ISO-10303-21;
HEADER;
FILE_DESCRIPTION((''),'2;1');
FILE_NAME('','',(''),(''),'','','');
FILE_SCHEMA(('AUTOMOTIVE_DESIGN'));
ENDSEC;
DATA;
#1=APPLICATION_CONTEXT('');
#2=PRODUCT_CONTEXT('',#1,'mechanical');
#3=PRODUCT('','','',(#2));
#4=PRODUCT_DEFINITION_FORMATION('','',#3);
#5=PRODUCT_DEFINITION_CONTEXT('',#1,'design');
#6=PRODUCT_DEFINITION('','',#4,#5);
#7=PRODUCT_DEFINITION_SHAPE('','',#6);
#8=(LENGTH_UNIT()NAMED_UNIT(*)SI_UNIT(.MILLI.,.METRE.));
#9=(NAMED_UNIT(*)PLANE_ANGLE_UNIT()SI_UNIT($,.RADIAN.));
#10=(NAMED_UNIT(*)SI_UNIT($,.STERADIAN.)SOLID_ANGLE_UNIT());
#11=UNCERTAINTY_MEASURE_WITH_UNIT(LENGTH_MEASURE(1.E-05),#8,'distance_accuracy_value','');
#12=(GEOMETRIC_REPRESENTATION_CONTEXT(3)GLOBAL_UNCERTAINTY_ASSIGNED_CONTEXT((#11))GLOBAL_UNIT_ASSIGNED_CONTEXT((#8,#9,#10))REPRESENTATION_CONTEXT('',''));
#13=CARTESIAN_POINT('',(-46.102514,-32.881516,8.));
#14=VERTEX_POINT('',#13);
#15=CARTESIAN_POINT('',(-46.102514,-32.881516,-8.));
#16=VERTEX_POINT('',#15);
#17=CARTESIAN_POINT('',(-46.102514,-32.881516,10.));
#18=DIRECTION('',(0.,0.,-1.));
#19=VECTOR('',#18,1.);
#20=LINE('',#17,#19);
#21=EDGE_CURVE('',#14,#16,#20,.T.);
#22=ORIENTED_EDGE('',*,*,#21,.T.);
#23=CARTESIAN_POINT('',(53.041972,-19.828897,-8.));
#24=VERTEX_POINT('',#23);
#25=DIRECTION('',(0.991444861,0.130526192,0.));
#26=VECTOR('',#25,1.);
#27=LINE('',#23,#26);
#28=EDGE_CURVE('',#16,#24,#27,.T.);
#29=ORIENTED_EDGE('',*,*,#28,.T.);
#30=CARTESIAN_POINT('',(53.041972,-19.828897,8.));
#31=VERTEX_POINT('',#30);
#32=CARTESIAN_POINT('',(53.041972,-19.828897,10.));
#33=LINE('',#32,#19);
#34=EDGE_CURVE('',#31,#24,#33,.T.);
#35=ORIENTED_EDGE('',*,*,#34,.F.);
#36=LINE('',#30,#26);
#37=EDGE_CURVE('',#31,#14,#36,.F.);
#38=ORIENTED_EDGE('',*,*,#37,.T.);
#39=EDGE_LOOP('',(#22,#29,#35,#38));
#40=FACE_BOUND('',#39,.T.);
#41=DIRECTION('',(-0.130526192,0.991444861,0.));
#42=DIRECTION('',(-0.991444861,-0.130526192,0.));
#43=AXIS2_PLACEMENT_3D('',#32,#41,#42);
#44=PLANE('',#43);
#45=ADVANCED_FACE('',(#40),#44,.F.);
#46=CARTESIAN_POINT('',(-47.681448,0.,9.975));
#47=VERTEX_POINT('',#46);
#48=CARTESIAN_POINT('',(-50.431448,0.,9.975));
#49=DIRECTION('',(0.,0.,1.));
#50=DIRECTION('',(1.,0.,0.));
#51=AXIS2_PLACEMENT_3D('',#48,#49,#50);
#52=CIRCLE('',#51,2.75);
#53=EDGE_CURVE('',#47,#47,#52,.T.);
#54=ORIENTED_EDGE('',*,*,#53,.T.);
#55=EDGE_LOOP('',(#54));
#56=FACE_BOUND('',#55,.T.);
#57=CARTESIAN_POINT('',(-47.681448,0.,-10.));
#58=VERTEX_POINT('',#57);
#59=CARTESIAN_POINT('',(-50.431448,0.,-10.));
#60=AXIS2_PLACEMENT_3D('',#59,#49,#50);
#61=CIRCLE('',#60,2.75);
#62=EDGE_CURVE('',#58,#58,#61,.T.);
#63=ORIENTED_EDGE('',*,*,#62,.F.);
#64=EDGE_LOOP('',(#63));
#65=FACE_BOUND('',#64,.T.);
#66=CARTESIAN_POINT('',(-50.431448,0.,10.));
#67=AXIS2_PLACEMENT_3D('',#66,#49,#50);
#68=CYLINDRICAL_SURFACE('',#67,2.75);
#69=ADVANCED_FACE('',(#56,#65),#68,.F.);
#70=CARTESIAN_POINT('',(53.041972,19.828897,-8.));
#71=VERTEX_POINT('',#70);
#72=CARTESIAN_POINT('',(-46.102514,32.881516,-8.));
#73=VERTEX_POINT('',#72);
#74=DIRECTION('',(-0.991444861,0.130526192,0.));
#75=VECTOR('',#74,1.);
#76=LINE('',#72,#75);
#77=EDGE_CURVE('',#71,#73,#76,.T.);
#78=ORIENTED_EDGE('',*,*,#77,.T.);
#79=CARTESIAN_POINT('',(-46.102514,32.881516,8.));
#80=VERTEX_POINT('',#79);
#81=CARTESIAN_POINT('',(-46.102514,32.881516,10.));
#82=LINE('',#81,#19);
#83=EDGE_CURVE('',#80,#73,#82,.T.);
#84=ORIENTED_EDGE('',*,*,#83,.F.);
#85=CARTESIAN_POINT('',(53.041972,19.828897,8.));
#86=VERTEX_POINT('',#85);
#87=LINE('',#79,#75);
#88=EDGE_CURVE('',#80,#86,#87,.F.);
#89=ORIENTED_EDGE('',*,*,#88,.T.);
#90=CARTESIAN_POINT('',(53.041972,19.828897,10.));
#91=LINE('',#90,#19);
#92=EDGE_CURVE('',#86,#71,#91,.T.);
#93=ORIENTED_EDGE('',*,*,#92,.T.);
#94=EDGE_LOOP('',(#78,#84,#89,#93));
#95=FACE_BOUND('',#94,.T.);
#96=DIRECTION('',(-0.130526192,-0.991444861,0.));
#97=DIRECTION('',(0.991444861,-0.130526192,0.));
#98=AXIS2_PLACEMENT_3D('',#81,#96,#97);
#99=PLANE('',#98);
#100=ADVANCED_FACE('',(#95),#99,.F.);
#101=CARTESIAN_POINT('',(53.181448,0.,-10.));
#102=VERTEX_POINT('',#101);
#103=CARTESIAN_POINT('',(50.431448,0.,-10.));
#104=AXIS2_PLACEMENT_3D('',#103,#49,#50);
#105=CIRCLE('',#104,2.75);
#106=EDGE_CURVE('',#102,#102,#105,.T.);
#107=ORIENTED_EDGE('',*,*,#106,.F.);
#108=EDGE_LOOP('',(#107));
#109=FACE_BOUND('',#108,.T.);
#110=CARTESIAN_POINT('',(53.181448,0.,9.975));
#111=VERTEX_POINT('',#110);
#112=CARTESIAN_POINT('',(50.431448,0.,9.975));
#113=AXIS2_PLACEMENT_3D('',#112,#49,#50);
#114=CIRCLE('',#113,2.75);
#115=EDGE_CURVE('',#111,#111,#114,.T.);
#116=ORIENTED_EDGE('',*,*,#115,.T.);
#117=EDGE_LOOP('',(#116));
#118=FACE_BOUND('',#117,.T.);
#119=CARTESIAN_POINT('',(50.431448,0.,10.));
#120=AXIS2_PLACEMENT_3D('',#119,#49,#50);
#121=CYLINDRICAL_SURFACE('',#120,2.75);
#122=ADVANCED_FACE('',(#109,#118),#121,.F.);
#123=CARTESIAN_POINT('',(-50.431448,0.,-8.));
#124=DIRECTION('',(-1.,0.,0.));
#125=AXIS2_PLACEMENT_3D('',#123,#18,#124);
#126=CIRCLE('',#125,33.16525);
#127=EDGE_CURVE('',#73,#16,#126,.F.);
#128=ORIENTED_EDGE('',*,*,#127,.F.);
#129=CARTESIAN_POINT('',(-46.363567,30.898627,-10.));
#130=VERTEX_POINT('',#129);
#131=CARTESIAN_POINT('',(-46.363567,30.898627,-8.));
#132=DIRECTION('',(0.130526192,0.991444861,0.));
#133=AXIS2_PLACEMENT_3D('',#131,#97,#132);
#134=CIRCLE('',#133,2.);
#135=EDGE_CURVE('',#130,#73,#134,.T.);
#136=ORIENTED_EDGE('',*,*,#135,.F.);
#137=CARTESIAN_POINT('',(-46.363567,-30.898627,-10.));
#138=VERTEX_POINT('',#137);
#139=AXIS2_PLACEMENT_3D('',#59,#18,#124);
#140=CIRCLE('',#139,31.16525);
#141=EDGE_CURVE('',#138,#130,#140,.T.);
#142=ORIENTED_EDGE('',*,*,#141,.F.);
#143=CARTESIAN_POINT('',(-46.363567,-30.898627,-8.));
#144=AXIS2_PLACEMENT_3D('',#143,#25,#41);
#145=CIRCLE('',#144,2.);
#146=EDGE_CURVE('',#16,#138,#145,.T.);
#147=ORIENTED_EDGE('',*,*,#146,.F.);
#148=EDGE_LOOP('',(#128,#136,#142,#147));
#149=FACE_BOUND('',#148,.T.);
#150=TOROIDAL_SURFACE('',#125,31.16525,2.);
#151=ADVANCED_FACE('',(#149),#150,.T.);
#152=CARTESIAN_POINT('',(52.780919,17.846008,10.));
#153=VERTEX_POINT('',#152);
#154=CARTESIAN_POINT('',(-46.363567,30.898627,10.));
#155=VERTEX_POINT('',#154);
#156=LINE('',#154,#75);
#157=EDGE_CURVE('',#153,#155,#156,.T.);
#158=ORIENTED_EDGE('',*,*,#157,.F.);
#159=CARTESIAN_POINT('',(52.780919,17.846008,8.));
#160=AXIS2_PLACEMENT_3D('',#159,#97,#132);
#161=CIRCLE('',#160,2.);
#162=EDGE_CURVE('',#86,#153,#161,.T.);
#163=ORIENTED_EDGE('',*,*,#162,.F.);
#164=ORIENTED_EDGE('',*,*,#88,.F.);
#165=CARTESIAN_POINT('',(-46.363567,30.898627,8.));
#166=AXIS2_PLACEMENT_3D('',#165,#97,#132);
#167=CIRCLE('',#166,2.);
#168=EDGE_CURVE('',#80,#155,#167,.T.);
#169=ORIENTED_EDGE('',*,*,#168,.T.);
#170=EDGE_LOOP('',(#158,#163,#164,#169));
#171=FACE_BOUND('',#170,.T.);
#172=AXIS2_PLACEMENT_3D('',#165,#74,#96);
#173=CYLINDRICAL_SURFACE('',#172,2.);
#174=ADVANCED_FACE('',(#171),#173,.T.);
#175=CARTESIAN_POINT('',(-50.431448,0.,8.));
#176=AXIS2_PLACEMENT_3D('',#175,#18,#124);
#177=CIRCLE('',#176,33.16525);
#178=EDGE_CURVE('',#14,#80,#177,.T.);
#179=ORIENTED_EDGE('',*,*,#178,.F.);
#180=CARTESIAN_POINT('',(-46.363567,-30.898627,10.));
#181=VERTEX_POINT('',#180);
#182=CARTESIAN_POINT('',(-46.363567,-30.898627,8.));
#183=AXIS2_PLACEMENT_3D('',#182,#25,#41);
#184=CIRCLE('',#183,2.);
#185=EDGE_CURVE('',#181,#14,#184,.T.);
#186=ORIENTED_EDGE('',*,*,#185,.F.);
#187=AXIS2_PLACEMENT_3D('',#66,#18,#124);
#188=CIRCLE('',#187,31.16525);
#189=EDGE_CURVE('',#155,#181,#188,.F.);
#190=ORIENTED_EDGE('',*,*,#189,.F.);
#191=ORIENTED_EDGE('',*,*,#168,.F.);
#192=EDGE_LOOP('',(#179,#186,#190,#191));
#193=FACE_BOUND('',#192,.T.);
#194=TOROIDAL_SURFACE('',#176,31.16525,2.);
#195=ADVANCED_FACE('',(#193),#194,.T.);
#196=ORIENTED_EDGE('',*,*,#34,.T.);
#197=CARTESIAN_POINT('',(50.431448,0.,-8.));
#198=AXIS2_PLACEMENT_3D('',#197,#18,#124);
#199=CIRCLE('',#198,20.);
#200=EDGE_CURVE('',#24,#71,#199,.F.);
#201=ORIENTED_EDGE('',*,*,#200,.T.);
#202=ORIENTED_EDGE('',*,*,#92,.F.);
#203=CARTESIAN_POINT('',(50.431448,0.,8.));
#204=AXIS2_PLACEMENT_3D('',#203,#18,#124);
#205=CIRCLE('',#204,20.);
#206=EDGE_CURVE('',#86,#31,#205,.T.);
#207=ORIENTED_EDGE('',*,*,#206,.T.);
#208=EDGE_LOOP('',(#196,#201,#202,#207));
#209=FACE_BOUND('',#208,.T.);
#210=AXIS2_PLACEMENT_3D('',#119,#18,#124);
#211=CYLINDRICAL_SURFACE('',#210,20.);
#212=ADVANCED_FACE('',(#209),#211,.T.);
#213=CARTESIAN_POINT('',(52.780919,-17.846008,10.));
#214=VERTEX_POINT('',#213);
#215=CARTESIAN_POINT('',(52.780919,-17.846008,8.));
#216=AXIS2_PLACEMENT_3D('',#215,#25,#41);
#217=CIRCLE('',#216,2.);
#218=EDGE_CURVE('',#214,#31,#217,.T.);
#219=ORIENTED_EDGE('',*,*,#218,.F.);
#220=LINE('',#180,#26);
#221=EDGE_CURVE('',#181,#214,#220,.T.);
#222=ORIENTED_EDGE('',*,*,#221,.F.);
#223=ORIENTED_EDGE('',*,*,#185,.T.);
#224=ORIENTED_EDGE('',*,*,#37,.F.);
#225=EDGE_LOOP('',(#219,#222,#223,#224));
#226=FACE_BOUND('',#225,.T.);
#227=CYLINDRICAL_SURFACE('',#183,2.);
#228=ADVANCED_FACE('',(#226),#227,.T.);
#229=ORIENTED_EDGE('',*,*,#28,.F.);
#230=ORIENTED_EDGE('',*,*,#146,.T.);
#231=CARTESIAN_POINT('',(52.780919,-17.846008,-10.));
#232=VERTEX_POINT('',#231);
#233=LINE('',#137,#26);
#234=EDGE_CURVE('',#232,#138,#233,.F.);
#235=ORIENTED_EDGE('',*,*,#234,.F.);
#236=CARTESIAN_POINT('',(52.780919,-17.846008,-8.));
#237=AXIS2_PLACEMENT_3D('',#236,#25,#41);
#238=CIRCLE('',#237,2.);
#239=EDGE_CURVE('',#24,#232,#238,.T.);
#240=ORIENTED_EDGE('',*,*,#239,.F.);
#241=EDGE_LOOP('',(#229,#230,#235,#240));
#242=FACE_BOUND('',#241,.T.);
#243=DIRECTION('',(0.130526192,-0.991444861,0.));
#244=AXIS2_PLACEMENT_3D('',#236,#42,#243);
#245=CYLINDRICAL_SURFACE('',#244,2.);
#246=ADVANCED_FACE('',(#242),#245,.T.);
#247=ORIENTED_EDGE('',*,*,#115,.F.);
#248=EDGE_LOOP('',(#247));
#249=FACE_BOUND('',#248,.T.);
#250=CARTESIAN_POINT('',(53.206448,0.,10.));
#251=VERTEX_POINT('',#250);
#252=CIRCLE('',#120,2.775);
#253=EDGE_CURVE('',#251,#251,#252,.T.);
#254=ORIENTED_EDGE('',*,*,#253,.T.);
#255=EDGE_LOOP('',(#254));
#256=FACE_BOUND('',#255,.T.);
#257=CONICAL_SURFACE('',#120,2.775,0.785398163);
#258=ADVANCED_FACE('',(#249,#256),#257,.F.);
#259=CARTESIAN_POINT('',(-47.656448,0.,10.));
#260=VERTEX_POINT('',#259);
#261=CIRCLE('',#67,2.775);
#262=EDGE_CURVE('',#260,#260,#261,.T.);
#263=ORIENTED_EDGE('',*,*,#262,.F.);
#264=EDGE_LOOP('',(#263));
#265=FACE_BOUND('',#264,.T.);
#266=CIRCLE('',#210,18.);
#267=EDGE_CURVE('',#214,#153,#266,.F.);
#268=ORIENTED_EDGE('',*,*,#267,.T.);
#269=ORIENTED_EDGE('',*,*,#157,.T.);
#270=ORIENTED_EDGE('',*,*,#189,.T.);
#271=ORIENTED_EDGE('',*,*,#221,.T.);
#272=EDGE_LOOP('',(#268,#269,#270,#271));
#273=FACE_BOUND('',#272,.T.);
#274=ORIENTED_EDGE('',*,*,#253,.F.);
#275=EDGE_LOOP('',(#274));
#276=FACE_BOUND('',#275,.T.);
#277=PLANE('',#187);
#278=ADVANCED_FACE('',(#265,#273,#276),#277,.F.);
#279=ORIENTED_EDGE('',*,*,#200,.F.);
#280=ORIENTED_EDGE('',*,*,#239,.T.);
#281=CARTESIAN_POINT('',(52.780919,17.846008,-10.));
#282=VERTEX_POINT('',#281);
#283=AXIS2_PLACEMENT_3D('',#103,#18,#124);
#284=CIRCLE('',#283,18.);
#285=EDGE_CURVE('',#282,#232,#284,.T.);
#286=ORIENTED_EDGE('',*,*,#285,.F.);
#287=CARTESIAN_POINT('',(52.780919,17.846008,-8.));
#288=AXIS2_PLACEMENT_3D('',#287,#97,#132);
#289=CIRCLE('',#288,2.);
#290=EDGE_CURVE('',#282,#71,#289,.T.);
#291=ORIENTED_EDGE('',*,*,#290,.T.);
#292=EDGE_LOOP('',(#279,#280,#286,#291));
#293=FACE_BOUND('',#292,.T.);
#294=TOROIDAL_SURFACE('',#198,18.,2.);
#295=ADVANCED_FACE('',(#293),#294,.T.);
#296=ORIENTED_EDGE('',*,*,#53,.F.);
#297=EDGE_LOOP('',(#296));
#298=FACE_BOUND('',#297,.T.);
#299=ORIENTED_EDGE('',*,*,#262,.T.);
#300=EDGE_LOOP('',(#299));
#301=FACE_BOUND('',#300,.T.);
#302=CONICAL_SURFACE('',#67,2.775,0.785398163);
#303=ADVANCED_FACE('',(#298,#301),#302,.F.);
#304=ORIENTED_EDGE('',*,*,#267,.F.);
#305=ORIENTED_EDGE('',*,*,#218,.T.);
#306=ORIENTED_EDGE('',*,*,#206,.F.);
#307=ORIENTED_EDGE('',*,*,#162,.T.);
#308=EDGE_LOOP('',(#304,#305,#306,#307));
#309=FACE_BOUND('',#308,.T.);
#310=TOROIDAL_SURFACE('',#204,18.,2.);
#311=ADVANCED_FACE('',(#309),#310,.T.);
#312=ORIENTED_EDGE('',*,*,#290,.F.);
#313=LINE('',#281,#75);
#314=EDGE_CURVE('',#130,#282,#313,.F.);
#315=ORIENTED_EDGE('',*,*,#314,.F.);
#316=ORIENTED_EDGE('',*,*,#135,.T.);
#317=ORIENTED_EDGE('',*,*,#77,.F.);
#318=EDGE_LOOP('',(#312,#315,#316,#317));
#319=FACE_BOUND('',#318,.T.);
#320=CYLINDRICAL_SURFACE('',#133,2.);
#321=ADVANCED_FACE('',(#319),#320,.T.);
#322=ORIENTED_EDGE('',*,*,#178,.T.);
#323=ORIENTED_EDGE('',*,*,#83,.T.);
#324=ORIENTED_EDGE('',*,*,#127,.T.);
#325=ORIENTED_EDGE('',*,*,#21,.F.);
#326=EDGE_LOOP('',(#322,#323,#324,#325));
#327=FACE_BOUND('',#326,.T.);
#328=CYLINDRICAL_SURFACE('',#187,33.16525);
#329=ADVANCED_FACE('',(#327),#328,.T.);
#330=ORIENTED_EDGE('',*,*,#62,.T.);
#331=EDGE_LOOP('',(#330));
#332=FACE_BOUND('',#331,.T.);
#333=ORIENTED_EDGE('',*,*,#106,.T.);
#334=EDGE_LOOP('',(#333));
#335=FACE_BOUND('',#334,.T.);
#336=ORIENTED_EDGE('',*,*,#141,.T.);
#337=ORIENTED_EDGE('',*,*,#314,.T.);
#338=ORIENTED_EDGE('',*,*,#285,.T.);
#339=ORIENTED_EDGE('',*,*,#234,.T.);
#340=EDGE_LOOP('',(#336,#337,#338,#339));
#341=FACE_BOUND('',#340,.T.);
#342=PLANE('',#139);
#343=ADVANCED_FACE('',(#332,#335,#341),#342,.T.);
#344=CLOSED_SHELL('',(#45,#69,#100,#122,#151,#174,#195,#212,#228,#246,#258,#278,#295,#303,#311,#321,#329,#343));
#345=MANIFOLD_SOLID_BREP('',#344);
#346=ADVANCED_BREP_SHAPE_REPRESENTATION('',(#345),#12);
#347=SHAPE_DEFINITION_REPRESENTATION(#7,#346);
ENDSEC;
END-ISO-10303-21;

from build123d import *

# Parameters (mm, degrees)
BRAS_DEPTH              = 10
PER_AGE_M51_D           = 5.5
PER_AGE_M51_CSINK_D     = 5.55
PER_AGE_M51_CSINK_ANGLE = 90
CONG_1_R                = 2


with BuildPart() as part:
    # Profil Bras → Bras (new, symmetric)
    with BuildSketch(Plane.XY):
        with BuildLine():
            Line((-46.102514264, 32.881516449), (53.041971873, 19.828897227))
            ThreePointArc((53.041971873, 19.828897227), (70.431448029, 0), (53.041971873, -19.828897227))
            Line((53.041971873, -19.828897227), (-46.102514264, -32.881516449))
            ThreePointArc((-46.102514264, -32.881516449), (-83.596697788, 0), (-46.102514264, 32.881516449))
        make_face()
    extrude(amount=BRAS_DEPTH, both=True)

    # Perçage M51 (through all)
    with Locations(Plane.XY.offset(10)):
        with Locations((-50.431448029, 0), (50.431448029, 0)):
            CounterSinkHole(PER_AGE_M51_D / 2, PER_AGE_M51_CSINK_D / 2, counter_sink_angle=PER_AGE_M51_CSINK_ANGLE)

    # Congé1
    cong_1_edges = [part.edges().sort_by_distance(p)[0] for p in [
        (70.431448029, 0, 10),
        (3.469728805, 26.355206838, 10),
        (-83.596697788, 0, 10),
        (3.469728805, 26.355206838, -10),
        (70.431448029, 0, -10),
        (3.469728805, -26.355206838, -10),
        (-83.596697788, 0, -10),
        (3.469728805, -26.355206838, 10),
    ]]
    fillet(cong_1_edges, radius=CONG_1_R)


solid = part.part
